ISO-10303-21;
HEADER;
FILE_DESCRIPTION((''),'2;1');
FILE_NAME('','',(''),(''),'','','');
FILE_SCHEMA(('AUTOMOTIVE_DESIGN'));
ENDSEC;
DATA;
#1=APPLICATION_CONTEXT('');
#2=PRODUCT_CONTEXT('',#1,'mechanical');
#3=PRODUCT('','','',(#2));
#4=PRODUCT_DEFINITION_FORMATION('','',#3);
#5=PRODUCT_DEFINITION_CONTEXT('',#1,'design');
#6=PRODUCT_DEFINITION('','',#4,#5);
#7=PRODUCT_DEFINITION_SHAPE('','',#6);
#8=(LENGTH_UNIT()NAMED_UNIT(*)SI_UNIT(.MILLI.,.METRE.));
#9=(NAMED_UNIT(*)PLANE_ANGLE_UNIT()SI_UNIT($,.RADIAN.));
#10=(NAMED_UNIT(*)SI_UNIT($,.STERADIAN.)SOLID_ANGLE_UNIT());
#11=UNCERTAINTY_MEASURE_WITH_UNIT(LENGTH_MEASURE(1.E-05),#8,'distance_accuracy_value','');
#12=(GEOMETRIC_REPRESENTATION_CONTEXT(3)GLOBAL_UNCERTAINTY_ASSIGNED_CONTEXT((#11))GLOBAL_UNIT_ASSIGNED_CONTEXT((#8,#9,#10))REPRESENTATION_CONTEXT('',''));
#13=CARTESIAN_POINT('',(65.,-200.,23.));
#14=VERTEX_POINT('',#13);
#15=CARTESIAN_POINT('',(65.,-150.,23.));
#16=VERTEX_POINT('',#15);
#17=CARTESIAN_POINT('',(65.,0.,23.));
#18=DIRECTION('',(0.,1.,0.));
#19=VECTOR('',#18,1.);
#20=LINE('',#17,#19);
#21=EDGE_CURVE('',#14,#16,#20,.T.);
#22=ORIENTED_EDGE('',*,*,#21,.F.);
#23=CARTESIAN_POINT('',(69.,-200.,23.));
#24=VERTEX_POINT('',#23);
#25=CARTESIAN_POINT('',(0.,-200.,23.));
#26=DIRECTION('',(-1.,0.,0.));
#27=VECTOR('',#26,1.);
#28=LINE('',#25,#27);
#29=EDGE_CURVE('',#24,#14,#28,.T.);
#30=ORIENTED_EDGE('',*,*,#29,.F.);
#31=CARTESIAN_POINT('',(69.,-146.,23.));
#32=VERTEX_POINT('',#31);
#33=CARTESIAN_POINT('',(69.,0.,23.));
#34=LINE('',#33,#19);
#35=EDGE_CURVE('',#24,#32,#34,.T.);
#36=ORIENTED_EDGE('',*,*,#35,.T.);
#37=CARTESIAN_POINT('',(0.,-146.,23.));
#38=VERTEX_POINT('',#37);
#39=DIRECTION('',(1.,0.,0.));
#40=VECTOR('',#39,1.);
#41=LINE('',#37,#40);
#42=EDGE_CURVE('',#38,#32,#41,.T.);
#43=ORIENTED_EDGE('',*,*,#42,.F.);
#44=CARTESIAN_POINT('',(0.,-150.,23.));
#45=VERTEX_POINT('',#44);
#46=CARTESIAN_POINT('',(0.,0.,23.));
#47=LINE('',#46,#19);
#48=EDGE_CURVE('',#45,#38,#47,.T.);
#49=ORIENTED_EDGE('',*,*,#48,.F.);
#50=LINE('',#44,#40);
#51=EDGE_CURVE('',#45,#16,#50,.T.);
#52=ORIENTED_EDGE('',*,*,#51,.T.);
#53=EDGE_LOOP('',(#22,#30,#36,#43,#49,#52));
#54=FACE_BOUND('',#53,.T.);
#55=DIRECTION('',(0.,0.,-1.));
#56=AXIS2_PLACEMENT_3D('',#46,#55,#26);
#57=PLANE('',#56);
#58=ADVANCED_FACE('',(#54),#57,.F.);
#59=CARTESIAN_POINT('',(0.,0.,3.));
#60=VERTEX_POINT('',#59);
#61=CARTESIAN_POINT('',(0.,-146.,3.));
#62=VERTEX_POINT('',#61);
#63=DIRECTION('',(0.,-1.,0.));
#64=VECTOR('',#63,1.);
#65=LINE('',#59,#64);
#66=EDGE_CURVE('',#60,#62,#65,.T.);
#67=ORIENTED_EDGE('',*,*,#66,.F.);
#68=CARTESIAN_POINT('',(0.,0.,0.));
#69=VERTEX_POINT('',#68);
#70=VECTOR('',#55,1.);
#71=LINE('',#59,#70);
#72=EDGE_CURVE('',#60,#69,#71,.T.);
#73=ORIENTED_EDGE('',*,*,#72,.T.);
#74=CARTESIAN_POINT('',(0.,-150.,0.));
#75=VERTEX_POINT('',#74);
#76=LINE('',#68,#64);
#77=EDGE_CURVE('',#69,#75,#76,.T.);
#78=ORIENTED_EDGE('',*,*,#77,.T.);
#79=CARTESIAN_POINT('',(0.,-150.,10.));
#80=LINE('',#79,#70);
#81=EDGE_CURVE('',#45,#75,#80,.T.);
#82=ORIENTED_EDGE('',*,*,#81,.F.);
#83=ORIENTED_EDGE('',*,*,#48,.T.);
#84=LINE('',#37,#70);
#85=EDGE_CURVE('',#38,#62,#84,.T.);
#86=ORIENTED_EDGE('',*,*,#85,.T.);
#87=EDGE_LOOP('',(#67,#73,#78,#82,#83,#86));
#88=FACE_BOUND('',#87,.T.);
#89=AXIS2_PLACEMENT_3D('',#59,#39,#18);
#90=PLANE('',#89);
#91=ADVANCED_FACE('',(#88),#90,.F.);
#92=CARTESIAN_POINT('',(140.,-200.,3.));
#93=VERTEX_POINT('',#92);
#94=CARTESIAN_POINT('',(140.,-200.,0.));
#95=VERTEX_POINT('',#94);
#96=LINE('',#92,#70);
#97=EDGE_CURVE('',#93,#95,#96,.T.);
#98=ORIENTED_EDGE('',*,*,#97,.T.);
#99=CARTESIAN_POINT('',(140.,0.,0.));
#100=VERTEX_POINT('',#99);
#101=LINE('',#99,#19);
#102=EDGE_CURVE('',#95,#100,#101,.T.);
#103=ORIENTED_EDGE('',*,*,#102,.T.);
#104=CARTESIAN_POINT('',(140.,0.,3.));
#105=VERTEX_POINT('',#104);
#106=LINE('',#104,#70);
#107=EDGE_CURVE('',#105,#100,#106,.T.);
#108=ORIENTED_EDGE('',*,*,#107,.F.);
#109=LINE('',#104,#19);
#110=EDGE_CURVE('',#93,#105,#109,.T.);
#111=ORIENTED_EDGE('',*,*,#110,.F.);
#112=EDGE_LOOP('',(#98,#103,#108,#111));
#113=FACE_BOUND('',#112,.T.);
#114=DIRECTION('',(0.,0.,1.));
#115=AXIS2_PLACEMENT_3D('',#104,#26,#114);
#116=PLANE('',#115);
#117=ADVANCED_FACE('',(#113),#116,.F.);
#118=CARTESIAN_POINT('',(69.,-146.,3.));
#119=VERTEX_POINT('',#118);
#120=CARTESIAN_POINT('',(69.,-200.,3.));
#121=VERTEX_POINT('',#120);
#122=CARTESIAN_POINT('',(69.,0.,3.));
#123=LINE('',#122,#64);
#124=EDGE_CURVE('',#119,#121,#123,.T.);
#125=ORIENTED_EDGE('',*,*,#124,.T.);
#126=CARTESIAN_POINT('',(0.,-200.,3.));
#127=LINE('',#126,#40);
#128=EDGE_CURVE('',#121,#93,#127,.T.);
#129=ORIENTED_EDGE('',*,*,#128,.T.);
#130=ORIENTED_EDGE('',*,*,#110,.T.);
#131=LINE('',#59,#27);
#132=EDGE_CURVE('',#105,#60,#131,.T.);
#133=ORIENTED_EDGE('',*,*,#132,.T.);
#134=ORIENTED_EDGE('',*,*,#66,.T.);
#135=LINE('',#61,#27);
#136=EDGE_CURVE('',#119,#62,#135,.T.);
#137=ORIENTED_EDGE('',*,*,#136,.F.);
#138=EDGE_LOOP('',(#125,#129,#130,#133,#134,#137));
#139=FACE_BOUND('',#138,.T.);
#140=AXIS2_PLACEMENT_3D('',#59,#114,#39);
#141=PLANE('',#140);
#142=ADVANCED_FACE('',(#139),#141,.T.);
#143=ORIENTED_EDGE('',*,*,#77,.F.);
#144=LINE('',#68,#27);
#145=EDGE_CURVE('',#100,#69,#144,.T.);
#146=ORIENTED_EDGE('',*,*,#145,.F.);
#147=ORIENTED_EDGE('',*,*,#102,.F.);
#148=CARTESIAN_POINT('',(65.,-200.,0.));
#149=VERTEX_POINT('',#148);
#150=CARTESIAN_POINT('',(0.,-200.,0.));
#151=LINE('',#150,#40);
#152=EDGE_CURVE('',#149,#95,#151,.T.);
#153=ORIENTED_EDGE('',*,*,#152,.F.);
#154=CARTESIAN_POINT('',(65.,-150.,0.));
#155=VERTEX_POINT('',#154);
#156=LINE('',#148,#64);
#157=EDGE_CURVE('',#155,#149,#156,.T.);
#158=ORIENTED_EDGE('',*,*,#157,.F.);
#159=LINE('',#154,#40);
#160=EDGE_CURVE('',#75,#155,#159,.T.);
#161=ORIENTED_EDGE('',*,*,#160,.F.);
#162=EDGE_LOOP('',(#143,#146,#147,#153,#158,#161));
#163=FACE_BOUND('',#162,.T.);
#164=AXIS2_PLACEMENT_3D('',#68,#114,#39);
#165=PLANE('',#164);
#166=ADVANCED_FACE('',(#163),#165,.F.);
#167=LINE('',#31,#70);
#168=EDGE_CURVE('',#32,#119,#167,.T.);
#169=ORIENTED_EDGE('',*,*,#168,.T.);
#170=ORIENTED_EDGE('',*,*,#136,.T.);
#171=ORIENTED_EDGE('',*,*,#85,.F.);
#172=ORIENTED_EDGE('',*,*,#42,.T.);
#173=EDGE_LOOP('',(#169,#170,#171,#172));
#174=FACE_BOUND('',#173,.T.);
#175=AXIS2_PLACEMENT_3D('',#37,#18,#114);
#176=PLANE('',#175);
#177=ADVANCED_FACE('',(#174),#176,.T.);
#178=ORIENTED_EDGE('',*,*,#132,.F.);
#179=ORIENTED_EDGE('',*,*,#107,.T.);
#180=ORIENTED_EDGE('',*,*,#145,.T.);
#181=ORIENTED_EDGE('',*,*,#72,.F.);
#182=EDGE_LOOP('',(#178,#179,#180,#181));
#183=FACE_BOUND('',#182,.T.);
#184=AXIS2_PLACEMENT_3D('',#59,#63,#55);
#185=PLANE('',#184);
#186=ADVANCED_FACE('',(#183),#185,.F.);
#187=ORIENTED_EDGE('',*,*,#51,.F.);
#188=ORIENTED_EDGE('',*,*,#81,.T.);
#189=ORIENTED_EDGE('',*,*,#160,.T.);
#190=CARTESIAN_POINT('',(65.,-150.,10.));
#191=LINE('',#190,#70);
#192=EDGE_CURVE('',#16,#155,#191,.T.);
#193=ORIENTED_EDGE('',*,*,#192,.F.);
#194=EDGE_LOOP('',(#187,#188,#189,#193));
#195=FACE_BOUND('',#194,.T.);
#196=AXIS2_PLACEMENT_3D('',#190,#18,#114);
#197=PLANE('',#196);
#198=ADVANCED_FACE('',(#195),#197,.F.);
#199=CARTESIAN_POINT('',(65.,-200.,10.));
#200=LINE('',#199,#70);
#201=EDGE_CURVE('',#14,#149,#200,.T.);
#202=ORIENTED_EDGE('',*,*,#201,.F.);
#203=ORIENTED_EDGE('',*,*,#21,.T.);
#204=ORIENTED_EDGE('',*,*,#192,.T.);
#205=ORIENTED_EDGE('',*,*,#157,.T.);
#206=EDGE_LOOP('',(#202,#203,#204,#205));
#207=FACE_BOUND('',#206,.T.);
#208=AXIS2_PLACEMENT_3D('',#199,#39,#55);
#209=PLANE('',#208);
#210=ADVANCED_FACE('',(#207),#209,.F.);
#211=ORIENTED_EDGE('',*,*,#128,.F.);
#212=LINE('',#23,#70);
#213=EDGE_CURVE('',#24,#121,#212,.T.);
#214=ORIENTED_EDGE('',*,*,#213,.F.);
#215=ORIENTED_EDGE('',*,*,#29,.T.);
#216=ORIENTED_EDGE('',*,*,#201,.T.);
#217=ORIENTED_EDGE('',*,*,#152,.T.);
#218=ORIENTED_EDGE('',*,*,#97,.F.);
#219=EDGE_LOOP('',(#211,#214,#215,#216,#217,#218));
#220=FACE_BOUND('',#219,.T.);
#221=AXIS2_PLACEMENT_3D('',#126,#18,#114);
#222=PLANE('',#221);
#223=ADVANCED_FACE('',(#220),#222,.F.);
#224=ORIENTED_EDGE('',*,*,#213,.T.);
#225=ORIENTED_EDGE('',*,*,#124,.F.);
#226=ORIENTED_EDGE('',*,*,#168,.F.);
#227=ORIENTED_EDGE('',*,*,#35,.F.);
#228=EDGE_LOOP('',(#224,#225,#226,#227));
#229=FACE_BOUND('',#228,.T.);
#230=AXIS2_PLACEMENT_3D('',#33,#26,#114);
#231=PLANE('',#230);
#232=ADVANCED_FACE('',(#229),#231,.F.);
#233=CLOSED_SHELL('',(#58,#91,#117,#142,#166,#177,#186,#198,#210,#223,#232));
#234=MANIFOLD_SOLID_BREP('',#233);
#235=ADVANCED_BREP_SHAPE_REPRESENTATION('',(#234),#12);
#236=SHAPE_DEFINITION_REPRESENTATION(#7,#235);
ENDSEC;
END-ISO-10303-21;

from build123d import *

# Parameters (mm, degrees)
SKETCH_1_W          = 140
SKETCH_1_H          = 200
EXTRUDE_1_DEPTH     = 3
SKETCH_2_W          = 65
SKETCH_2_H          = 50
CUT_EXTRUDE_1_DEPTH = 10
SKETCH_3_W          = 4
SKETCH_3_H          = 50
EXTRUDE_2_DEPTH     = 23


with BuildPart() as part:
    # 草图1 → 凸台-拉伸1 (new body)
    with BuildSketch(Plane.XY):
        with Locations((70, -100)):
            Rectangle(SKETCH_1_W, SKETCH_1_H)
    extrude(amount=EXTRUDE_1_DEPTH)

    # 草图2 → 切除-拉伸1 (cut)
    with BuildSketch(Plane(origin=(0, 0, 0), x_dir=(-1, 0, 0), z_dir=(0, 0, -1))):
        with Locations((-32.5, -175)):
            Rectangle(SKETCH_2_W, SKETCH_2_H)
    extrude(amount=-CUT_EXTRUDE_1_DEPTH, mode=Mode.SUBTRACT)

    # 草图3 → 凸台-拉伸2 (add)
    with BuildSketch(Plane(origin=(0, 0, 0), x_dir=(-1, 0, 0), z_dir=(0, 0, -1))):
        with Locations((-67, -175)):
            Rectangle(SKETCH_3_W, SKETCH_3_H)
        Polygon((-65, -150), (0, -150), (0, -146), (-69, -146), (-69, -150), align=None)
    extrude(amount=-EXTRUDE_2_DEPTH)


solid = part.part
